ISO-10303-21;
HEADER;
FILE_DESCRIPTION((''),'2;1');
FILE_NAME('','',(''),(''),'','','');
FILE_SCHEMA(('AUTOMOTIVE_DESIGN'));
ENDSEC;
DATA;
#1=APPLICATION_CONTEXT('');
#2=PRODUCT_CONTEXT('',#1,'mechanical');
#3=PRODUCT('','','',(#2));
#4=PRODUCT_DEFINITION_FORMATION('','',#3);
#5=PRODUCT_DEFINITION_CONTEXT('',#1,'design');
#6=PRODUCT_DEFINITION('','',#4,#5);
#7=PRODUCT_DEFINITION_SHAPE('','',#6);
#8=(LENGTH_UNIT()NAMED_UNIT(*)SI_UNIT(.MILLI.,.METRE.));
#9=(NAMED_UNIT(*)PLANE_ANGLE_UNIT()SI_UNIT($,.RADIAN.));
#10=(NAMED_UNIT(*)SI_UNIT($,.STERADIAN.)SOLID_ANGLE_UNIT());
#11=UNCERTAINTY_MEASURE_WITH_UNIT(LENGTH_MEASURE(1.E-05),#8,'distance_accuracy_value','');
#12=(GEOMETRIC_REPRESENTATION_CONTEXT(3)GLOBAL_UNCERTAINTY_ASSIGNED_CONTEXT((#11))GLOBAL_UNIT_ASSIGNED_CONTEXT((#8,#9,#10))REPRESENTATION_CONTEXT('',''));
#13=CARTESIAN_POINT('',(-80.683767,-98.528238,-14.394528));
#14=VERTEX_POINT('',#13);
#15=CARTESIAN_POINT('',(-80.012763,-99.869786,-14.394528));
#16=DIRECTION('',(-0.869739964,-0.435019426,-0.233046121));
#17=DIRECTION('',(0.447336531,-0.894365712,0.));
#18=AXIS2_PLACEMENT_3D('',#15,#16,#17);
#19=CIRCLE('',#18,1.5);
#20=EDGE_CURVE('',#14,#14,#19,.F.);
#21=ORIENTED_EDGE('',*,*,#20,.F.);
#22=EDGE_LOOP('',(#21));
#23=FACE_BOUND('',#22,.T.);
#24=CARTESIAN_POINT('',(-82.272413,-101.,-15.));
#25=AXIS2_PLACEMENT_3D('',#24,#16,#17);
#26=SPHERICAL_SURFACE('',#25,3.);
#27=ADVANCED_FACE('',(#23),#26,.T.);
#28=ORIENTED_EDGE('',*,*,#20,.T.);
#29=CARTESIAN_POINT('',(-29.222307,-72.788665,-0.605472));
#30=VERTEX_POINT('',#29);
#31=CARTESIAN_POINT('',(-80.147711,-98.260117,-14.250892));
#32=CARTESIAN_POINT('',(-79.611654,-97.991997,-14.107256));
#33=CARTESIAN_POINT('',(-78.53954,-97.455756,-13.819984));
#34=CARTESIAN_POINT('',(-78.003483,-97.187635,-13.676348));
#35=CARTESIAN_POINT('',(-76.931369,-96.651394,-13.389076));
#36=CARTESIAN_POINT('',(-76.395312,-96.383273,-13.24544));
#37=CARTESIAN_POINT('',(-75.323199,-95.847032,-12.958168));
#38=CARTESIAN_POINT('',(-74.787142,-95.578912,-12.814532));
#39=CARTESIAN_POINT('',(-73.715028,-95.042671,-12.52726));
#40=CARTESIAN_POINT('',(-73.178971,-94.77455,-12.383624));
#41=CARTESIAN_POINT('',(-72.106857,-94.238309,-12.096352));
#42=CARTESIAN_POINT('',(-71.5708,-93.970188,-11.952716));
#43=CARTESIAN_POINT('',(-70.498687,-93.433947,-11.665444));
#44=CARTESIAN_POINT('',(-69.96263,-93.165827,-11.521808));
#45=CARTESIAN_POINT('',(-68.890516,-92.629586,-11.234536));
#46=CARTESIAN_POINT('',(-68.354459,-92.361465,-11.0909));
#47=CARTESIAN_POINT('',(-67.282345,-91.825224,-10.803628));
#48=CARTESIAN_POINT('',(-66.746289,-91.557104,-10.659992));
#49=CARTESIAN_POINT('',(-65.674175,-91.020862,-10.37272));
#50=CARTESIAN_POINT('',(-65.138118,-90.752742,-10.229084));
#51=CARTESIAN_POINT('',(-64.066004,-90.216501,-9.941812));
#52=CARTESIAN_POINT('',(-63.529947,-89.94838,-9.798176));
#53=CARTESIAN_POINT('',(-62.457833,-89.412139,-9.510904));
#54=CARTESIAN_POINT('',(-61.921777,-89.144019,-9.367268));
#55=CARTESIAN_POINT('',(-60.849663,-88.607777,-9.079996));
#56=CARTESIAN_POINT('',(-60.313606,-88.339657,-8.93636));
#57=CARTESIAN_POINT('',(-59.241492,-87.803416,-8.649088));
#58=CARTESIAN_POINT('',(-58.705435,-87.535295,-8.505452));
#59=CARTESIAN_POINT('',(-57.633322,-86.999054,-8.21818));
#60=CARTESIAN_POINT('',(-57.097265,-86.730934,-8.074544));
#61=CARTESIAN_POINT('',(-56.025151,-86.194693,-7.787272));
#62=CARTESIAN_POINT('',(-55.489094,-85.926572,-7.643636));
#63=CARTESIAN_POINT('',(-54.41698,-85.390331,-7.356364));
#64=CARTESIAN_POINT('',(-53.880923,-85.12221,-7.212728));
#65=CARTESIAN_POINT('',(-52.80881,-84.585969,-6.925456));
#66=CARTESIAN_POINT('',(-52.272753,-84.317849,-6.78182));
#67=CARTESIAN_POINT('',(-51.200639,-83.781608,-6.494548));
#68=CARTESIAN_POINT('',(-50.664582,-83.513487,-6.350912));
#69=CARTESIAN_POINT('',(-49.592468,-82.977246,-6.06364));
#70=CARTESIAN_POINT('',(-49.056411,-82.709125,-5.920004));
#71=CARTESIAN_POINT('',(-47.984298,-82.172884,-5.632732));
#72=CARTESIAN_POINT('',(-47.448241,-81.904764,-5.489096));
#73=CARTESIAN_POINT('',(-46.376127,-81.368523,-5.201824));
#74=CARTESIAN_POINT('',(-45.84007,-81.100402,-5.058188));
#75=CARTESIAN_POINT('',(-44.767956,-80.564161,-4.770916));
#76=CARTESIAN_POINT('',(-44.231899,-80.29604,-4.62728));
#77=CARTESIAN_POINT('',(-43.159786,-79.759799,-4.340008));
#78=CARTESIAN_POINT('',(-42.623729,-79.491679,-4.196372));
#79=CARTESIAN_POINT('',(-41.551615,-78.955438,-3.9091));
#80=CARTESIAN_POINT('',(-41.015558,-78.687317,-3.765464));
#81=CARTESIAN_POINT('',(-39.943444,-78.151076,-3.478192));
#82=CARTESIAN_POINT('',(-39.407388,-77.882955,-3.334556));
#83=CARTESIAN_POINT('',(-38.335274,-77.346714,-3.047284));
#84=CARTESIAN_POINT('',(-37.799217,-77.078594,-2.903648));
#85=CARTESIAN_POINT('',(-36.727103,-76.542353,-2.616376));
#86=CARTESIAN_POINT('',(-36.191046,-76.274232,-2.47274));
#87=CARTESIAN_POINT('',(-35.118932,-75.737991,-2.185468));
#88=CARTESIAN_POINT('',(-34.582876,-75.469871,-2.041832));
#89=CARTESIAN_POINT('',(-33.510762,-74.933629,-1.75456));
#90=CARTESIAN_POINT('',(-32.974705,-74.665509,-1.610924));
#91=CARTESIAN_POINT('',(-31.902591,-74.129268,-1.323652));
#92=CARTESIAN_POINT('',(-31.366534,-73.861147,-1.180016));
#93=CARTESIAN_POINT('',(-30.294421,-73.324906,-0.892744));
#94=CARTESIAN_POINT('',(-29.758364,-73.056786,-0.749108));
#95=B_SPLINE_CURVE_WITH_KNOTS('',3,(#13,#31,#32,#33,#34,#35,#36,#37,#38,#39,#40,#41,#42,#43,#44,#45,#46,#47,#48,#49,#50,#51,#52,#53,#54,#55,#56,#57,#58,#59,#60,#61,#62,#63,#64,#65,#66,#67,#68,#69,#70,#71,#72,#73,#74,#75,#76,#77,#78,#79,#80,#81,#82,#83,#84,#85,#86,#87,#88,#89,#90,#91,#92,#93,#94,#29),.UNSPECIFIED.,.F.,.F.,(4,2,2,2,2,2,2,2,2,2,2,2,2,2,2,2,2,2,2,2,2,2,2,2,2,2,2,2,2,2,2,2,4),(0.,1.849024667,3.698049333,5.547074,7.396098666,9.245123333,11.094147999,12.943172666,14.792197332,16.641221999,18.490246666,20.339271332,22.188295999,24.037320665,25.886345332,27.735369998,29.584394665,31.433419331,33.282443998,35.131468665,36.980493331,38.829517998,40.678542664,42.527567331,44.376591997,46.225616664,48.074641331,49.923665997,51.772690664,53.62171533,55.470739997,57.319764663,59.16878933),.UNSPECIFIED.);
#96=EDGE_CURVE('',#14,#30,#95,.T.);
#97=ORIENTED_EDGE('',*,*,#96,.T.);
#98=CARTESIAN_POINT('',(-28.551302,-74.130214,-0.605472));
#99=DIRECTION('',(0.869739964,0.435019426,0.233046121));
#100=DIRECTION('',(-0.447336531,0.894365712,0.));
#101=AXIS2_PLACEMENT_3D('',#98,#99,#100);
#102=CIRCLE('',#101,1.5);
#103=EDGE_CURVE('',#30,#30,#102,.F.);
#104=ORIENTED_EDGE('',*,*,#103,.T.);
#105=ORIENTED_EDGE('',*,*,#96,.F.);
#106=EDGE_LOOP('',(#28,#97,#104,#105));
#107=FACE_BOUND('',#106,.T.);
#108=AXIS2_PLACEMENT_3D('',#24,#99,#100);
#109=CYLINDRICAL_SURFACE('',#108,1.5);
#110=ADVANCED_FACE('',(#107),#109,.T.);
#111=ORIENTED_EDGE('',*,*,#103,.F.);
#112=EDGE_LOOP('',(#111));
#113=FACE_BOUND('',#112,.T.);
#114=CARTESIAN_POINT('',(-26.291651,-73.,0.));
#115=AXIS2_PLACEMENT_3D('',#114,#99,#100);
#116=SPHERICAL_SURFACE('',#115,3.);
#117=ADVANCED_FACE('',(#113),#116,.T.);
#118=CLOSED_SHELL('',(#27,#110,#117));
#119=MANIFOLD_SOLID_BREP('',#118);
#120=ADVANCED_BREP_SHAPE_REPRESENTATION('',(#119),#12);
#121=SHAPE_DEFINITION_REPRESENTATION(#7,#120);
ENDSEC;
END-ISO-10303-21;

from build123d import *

# Parameters (mm, degrees)
THREE_MILLIMETRE_STRUT_CORE_SKETCH_R = 1.5
THREE_MILLIMETRE_STRUT_CORE_DEPTH    = 64.364941753


with BuildPart() as part:
    # Three millimetre strut core sketch → Three millimetre strut core (new body)
    with BuildSketch(Plane(origin=(-47.508082523, -23.76220438, -12.729752346), x_dir=(-0.20842845999452628, -0.10425004340144392, 0.9724656834640013), z_dir=(-0.8697399638531149, -0.435019425763827, -0.23304612093938143))):
        with Locations(Location((13.090181548, -53.527480937, 0), (0, 0, 270))):
            Circle(THREE_MILLIMETRE_STRUT_CORE_SKETCH_R)
    extrude(amount=THREE_MILLIMETRE_STRUT_CORE_DEPTH)

    # Ball end 1 profile → Ball end 1 (revolve)
    with BuildSketch(Plane(origin=(0, -73, 0), x_dir=(-1, 0, 0), z_dir=(0, -1, 0))):
        with BuildLine():
            Line((26.291651246, -3), (26.291651246, 3))
            ThreePointArc((26.291651246, 3), (23.291651246, 0), (26.291651246, -3))
        make_face()
    revolve(axis=Axis((-26.291651246, -73, -10), (0, 0, 1)))

    # Ball end 2 profile → Ball end 2 (revolve)
    with BuildSketch(Plane(origin=(0, -101.000000001, 0), x_dir=(-1, 0, 0), z_dir=(0, -1, 0))):
        with BuildLine():
            Line((82.272413359, 12), (82.272413359, 18))
            ThreePointArc((82.272413359, 18), (79.272413359, 15), (82.272413359, 12))
        make_face()
    revolve(axis=Axis((-82.272413359, -101.000000001, -25), (0, 0, 1)))


solid = part.part
